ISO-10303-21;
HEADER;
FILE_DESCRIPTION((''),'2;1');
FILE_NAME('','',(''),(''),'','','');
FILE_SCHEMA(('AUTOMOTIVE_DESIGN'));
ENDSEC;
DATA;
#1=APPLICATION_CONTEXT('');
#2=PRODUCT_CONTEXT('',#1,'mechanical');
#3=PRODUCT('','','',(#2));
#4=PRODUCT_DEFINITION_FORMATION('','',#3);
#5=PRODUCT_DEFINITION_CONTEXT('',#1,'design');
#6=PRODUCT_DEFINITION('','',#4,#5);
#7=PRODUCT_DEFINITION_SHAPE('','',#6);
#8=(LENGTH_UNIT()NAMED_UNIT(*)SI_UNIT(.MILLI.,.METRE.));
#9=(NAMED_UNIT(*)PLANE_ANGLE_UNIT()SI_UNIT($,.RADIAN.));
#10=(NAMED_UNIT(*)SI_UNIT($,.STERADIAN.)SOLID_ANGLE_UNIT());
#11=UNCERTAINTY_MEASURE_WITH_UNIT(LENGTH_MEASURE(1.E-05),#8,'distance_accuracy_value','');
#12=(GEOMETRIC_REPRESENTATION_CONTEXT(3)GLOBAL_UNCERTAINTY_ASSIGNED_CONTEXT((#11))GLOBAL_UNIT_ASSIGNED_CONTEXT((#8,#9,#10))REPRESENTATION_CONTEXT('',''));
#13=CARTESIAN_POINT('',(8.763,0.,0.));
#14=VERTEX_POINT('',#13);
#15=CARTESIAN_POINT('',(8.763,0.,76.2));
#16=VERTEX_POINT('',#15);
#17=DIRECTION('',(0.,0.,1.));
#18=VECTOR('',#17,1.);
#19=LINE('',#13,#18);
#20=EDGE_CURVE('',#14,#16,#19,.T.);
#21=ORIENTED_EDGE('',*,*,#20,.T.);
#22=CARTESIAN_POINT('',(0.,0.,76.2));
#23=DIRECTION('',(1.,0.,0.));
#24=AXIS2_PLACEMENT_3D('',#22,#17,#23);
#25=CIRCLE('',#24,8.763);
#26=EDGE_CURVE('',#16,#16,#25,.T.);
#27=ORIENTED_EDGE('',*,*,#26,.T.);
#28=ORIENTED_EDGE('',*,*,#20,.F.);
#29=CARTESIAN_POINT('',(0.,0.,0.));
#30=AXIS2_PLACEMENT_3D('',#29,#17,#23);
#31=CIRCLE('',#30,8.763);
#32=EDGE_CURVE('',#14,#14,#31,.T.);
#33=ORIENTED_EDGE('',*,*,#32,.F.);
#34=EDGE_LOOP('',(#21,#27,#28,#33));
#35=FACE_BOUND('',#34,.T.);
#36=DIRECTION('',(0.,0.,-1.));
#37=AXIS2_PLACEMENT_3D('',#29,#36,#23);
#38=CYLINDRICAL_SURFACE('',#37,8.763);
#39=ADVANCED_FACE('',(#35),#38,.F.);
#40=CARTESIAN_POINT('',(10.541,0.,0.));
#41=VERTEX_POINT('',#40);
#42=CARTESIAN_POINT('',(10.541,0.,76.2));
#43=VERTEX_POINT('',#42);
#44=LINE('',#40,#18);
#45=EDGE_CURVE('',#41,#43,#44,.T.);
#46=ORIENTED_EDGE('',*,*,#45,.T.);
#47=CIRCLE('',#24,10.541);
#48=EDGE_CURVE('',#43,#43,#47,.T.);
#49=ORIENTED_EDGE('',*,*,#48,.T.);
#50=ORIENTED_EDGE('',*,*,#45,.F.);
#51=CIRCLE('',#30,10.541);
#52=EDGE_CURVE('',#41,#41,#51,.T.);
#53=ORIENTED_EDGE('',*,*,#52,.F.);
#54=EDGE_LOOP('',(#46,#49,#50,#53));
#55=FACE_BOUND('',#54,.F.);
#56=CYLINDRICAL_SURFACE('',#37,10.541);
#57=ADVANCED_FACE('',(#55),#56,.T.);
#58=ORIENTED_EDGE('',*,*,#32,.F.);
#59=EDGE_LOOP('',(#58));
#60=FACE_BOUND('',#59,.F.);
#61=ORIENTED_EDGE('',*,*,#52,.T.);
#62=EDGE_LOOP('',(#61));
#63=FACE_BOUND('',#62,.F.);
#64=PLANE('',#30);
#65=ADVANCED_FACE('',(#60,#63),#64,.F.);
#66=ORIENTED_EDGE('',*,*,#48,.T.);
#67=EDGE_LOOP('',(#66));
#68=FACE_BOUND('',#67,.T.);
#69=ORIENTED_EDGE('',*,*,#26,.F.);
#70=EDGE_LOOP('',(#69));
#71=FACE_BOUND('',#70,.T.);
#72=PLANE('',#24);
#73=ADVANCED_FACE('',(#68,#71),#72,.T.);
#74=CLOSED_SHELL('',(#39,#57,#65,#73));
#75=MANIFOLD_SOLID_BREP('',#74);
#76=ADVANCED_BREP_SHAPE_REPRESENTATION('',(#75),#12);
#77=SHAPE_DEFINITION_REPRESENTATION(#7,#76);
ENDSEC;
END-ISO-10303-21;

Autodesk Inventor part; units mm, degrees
ref_plane "YZ Plane" through (0, 0, 0) normal (1, 0, 0) x (0, 1, 0)
ref_plane "XZ Plane" through (0, 0, 0) normal (0, 1, 0) x (-1, 0, 0)
ref_plane "XY Plane" through (0, 0, 0) normal (0, 0, 1) x (1, 0, 0)
sketch "Sketch1" plane through (0, 0, 0) normal (0, 0, 1) x (1, 0, 0)
  circle A0 centre (0, 0) radius 8.763
  circle A1 centre (0, 0) radius 10.541
  dimension "d0" = 17.526
  dimension "d1" = 1.778
extrude "Extrusion1" add sketch "Sketch1" along normal blind 76.2
properties part number "Short ROd" material "PVC-Piping"
